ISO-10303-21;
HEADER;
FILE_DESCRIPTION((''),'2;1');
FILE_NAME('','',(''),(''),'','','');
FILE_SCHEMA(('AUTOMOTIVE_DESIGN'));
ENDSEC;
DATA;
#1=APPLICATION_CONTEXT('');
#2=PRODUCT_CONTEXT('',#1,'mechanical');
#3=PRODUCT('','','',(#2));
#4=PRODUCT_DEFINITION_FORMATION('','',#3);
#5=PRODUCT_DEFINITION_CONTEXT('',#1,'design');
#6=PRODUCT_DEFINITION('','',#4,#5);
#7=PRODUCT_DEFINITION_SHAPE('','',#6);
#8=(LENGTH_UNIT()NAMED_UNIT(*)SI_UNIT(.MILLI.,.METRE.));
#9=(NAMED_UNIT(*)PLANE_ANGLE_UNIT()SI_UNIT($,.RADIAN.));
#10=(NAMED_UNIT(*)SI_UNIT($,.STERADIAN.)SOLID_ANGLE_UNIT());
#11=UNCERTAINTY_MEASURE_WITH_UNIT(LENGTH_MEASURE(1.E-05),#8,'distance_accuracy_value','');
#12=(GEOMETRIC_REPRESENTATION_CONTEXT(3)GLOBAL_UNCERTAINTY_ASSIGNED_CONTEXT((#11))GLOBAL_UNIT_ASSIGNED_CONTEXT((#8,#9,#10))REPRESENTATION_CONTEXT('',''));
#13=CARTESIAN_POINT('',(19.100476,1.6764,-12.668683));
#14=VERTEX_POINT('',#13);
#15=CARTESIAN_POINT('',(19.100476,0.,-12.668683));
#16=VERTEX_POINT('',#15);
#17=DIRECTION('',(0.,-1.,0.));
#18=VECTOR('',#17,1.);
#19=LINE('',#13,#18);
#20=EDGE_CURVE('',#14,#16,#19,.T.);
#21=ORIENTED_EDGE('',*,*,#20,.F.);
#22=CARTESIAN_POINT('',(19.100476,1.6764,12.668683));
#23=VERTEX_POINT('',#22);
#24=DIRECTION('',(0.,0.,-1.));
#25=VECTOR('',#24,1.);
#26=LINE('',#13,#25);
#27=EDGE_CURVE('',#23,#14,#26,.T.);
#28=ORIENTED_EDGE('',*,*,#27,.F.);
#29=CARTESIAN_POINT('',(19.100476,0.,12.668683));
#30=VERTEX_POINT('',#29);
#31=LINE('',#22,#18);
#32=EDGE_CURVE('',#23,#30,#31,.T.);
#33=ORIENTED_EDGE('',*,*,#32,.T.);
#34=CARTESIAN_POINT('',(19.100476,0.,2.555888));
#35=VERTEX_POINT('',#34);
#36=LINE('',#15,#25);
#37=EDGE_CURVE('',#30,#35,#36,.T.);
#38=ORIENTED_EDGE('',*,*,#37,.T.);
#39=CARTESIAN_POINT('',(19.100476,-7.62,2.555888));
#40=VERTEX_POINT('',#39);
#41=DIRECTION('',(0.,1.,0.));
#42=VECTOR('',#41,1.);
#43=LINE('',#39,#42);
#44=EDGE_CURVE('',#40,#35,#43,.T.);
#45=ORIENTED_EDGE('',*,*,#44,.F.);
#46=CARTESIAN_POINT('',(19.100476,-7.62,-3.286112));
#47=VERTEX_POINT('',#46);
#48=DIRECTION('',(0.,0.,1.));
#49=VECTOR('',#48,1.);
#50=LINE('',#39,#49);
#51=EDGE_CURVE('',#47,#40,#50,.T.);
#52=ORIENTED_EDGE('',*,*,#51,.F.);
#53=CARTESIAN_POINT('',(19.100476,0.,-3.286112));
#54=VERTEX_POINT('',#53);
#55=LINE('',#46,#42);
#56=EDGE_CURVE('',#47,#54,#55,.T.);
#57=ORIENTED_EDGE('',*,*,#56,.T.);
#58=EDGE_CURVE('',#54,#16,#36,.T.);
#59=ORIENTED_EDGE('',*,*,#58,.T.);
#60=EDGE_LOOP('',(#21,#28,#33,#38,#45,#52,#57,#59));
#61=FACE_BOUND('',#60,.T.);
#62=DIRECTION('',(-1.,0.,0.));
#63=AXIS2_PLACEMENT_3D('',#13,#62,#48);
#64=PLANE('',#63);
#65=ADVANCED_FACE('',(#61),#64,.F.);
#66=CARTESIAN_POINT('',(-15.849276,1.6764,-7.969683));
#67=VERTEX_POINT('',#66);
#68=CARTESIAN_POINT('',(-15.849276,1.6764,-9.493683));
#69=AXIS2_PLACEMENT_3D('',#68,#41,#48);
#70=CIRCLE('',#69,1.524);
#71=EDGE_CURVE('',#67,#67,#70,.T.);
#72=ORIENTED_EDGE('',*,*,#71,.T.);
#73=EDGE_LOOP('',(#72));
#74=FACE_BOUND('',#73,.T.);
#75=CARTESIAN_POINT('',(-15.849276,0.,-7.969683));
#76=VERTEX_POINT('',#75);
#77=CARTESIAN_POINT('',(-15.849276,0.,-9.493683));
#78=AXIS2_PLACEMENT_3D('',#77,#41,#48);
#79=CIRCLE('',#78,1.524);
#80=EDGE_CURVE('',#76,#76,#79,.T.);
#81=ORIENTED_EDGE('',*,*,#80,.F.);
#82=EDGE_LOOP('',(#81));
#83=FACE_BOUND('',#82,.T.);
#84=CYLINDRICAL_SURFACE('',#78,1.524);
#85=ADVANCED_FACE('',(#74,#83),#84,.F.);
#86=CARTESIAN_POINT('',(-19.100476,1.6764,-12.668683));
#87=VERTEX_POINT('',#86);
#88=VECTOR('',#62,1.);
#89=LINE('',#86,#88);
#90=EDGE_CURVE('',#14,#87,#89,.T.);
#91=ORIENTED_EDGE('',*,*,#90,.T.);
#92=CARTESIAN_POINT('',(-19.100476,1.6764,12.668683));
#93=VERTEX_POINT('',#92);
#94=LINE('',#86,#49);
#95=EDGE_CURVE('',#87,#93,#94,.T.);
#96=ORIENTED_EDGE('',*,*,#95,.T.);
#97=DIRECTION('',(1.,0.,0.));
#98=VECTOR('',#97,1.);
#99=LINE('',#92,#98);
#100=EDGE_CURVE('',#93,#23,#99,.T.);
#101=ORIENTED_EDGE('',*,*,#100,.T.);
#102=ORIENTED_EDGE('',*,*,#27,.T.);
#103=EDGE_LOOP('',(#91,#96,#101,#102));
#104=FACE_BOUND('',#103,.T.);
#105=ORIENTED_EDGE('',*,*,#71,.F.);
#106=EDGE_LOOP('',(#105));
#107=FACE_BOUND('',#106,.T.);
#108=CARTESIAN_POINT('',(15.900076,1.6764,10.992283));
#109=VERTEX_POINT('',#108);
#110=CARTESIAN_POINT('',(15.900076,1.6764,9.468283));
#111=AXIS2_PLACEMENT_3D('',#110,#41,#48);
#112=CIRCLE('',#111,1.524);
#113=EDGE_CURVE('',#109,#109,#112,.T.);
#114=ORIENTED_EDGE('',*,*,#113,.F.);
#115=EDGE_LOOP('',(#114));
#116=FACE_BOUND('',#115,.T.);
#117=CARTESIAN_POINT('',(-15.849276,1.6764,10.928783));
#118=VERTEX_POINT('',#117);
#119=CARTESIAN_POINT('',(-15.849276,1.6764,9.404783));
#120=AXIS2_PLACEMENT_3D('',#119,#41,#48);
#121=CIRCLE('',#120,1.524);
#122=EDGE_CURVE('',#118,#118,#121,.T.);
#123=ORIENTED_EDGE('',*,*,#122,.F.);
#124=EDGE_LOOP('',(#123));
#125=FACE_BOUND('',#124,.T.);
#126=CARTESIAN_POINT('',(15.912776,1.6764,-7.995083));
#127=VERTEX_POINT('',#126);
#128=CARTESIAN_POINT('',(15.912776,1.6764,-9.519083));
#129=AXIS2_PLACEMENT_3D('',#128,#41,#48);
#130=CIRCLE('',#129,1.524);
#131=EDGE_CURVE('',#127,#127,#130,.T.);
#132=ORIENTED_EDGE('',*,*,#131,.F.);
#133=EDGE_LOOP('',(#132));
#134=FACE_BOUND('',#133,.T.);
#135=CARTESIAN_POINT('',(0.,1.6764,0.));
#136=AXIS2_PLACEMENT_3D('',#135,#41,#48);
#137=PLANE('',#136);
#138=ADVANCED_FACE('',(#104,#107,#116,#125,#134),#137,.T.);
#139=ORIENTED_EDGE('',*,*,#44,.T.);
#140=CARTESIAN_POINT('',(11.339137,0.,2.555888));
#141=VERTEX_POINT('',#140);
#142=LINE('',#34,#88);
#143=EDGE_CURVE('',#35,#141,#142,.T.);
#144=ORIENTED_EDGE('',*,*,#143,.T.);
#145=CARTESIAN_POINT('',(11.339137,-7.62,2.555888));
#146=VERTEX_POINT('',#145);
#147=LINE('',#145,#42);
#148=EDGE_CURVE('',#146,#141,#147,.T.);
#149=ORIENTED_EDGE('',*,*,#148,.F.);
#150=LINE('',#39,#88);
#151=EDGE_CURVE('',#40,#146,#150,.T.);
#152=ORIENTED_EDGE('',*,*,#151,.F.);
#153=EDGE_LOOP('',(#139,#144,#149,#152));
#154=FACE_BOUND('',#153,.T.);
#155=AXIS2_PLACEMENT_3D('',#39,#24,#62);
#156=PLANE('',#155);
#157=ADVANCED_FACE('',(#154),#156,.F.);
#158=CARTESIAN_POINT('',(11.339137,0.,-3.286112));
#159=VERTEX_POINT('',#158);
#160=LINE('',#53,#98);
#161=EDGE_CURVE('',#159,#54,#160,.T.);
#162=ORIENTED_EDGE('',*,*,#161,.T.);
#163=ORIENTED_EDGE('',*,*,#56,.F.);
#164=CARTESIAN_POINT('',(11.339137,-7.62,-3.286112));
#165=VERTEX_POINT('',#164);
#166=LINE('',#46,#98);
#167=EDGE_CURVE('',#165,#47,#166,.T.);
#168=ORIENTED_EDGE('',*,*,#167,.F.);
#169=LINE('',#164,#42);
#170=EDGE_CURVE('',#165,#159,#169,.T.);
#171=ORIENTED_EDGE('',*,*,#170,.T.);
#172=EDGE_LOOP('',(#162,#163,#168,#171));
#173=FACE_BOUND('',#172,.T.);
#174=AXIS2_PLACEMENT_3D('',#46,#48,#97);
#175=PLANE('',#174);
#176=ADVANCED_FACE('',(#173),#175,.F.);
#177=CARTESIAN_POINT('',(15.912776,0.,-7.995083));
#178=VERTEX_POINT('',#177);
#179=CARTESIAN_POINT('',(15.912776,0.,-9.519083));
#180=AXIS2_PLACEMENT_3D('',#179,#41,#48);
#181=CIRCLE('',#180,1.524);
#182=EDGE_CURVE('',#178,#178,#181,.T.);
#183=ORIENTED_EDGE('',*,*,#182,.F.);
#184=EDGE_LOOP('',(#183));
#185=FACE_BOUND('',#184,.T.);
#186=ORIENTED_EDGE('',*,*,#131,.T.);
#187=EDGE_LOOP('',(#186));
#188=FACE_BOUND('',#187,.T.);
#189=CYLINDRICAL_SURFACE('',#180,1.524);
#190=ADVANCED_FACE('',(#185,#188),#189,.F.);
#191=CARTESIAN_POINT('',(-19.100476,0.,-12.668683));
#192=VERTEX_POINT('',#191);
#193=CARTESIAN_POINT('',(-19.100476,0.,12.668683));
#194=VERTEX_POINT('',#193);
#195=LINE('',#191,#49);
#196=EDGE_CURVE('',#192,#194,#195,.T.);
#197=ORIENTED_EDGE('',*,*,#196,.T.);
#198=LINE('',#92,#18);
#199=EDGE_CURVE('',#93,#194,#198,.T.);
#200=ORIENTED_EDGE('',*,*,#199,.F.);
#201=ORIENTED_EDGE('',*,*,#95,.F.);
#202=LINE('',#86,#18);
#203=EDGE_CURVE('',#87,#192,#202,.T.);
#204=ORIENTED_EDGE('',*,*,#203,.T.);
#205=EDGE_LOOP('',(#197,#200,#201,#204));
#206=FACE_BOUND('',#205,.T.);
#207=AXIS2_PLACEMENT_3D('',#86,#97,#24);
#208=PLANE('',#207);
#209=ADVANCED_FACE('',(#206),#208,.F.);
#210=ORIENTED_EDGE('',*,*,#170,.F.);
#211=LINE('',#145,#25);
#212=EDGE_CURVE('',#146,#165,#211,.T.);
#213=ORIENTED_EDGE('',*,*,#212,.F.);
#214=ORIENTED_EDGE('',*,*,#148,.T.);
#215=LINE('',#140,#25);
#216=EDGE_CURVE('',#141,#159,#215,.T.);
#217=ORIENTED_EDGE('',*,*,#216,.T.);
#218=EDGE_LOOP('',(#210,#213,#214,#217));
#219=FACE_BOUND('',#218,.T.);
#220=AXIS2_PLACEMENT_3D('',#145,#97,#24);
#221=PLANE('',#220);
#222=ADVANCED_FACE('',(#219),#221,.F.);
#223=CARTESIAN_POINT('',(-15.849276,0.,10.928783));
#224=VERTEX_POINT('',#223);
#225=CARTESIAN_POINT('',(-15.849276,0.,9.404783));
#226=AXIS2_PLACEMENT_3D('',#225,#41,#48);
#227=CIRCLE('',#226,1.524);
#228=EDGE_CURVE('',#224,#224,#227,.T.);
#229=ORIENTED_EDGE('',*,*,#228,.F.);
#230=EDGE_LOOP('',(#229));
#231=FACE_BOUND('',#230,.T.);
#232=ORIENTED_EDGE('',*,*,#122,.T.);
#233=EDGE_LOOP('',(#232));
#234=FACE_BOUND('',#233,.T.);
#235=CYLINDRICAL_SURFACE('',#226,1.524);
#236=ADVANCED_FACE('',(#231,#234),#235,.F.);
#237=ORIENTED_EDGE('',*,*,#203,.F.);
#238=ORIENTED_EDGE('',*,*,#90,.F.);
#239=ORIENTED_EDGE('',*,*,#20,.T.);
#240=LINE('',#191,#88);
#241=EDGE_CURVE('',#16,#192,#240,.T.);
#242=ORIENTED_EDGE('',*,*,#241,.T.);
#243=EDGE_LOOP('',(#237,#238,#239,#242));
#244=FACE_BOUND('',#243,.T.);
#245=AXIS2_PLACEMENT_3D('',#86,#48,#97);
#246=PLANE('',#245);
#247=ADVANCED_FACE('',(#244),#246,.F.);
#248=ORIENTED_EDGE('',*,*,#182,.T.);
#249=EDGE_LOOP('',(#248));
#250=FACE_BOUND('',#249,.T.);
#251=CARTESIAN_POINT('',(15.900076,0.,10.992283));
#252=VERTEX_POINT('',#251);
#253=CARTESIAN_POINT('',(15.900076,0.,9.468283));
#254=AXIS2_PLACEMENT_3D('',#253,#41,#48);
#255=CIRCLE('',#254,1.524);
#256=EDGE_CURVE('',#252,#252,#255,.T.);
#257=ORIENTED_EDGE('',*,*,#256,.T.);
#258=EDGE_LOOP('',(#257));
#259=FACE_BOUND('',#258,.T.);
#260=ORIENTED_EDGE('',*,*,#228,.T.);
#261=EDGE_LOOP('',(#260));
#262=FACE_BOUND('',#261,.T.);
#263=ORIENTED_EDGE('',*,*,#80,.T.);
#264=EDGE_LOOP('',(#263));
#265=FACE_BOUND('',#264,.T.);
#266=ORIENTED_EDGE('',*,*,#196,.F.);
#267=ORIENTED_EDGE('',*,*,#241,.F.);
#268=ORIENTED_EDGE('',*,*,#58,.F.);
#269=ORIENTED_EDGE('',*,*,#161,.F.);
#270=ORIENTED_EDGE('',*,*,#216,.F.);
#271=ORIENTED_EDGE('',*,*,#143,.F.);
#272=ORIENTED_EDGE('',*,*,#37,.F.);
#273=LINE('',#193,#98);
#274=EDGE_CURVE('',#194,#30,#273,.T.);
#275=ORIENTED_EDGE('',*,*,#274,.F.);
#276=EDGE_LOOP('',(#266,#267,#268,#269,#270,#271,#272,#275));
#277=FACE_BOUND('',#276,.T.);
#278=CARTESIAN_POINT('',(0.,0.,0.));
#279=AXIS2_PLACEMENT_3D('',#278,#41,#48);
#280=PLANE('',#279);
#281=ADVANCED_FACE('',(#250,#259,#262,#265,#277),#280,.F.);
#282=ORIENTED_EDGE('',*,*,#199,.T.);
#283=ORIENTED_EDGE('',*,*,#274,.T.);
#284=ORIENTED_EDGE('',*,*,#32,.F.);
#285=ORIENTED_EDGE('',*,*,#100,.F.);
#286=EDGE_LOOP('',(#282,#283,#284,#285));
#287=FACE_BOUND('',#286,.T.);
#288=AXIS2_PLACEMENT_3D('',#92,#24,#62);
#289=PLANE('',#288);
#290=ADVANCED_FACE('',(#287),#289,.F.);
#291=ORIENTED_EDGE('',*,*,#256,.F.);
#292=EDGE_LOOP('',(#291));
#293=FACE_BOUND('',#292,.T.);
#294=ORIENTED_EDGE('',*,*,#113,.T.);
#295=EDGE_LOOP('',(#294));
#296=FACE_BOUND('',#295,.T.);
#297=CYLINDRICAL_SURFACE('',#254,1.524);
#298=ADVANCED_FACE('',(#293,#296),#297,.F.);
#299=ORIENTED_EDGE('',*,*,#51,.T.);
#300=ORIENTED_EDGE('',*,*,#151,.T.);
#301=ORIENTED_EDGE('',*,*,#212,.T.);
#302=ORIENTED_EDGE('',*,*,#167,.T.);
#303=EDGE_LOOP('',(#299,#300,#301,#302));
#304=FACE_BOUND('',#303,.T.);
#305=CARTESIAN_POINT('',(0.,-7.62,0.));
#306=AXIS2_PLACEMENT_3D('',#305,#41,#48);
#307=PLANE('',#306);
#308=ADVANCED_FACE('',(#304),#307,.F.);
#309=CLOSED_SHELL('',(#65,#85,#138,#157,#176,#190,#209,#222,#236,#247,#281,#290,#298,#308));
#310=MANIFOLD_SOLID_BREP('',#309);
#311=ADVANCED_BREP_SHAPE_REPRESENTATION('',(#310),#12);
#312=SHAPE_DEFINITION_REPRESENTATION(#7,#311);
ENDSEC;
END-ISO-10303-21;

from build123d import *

# Parameters (mm, degrees)
SKETCH1_W           = 38.200952294
SKETCH1_H           = 25.337366318
BOSS_EXTRUDE1_DEPTH = 1.6764
SKETCH2_R           = 1.524
CUT_EXTRUDE1_DEPTH  = 1.6764
SKETCH5_W           = 7.761339033
SKETCH5_H           = 5.842
BOSS_EXTRUDE2_DEPTH = 7.62


with BuildPart() as part:
    # Sketch1 → Boss-Extrude1 (new body)
    with BuildSketch(Plane(origin=(0, 0, 0), x_dir=(1, 0, 0), z_dir=(0, 1, 0))):
        Rectangle(SKETCH1_W, SKETCH1_H)
    extrude(amount=BOSS_EXTRUDE1_DEPTH)

    # Sketch2 → Cut-Extrude1 (cut)
    with BuildSketch(Plane(origin=(0, 1.6764, 0), x_dir=(1, 0, 0), z_dir=(0, 1, 0))):
        with Locations(Location((-15.849276147, -9.404783159, 0), (0, 0, 270))):
            Circle(SKETCH2_R)
        with Locations(Location((-15.849276147, 9.493683159, 0), (0, 0, 270))):
            Circle(SKETCH2_R)
        with Locations(Location((15.912776147, 9.519083159, 0), (0, 0, 270))):
            Circle(SKETCH2_R)
        with Locations(Location((15.900076147, -9.468283159, 0), (0, 0, 270))):
            Circle(SKETCH2_R)
    extrude(amount=-CUT_EXTRUDE1_DEPTH, mode=Mode.SUBTRACT)

    # Sketch5 → Boss-Extrude2 (add)
    with BuildSketch(Plane.XZ):
        with Locations((15.219806631, -0.36511235)):
            Rectangle(SKETCH5_W, SKETCH5_H)
    extrude(amount=BOSS_EXTRUDE2_DEPTH)


solid = part.part
